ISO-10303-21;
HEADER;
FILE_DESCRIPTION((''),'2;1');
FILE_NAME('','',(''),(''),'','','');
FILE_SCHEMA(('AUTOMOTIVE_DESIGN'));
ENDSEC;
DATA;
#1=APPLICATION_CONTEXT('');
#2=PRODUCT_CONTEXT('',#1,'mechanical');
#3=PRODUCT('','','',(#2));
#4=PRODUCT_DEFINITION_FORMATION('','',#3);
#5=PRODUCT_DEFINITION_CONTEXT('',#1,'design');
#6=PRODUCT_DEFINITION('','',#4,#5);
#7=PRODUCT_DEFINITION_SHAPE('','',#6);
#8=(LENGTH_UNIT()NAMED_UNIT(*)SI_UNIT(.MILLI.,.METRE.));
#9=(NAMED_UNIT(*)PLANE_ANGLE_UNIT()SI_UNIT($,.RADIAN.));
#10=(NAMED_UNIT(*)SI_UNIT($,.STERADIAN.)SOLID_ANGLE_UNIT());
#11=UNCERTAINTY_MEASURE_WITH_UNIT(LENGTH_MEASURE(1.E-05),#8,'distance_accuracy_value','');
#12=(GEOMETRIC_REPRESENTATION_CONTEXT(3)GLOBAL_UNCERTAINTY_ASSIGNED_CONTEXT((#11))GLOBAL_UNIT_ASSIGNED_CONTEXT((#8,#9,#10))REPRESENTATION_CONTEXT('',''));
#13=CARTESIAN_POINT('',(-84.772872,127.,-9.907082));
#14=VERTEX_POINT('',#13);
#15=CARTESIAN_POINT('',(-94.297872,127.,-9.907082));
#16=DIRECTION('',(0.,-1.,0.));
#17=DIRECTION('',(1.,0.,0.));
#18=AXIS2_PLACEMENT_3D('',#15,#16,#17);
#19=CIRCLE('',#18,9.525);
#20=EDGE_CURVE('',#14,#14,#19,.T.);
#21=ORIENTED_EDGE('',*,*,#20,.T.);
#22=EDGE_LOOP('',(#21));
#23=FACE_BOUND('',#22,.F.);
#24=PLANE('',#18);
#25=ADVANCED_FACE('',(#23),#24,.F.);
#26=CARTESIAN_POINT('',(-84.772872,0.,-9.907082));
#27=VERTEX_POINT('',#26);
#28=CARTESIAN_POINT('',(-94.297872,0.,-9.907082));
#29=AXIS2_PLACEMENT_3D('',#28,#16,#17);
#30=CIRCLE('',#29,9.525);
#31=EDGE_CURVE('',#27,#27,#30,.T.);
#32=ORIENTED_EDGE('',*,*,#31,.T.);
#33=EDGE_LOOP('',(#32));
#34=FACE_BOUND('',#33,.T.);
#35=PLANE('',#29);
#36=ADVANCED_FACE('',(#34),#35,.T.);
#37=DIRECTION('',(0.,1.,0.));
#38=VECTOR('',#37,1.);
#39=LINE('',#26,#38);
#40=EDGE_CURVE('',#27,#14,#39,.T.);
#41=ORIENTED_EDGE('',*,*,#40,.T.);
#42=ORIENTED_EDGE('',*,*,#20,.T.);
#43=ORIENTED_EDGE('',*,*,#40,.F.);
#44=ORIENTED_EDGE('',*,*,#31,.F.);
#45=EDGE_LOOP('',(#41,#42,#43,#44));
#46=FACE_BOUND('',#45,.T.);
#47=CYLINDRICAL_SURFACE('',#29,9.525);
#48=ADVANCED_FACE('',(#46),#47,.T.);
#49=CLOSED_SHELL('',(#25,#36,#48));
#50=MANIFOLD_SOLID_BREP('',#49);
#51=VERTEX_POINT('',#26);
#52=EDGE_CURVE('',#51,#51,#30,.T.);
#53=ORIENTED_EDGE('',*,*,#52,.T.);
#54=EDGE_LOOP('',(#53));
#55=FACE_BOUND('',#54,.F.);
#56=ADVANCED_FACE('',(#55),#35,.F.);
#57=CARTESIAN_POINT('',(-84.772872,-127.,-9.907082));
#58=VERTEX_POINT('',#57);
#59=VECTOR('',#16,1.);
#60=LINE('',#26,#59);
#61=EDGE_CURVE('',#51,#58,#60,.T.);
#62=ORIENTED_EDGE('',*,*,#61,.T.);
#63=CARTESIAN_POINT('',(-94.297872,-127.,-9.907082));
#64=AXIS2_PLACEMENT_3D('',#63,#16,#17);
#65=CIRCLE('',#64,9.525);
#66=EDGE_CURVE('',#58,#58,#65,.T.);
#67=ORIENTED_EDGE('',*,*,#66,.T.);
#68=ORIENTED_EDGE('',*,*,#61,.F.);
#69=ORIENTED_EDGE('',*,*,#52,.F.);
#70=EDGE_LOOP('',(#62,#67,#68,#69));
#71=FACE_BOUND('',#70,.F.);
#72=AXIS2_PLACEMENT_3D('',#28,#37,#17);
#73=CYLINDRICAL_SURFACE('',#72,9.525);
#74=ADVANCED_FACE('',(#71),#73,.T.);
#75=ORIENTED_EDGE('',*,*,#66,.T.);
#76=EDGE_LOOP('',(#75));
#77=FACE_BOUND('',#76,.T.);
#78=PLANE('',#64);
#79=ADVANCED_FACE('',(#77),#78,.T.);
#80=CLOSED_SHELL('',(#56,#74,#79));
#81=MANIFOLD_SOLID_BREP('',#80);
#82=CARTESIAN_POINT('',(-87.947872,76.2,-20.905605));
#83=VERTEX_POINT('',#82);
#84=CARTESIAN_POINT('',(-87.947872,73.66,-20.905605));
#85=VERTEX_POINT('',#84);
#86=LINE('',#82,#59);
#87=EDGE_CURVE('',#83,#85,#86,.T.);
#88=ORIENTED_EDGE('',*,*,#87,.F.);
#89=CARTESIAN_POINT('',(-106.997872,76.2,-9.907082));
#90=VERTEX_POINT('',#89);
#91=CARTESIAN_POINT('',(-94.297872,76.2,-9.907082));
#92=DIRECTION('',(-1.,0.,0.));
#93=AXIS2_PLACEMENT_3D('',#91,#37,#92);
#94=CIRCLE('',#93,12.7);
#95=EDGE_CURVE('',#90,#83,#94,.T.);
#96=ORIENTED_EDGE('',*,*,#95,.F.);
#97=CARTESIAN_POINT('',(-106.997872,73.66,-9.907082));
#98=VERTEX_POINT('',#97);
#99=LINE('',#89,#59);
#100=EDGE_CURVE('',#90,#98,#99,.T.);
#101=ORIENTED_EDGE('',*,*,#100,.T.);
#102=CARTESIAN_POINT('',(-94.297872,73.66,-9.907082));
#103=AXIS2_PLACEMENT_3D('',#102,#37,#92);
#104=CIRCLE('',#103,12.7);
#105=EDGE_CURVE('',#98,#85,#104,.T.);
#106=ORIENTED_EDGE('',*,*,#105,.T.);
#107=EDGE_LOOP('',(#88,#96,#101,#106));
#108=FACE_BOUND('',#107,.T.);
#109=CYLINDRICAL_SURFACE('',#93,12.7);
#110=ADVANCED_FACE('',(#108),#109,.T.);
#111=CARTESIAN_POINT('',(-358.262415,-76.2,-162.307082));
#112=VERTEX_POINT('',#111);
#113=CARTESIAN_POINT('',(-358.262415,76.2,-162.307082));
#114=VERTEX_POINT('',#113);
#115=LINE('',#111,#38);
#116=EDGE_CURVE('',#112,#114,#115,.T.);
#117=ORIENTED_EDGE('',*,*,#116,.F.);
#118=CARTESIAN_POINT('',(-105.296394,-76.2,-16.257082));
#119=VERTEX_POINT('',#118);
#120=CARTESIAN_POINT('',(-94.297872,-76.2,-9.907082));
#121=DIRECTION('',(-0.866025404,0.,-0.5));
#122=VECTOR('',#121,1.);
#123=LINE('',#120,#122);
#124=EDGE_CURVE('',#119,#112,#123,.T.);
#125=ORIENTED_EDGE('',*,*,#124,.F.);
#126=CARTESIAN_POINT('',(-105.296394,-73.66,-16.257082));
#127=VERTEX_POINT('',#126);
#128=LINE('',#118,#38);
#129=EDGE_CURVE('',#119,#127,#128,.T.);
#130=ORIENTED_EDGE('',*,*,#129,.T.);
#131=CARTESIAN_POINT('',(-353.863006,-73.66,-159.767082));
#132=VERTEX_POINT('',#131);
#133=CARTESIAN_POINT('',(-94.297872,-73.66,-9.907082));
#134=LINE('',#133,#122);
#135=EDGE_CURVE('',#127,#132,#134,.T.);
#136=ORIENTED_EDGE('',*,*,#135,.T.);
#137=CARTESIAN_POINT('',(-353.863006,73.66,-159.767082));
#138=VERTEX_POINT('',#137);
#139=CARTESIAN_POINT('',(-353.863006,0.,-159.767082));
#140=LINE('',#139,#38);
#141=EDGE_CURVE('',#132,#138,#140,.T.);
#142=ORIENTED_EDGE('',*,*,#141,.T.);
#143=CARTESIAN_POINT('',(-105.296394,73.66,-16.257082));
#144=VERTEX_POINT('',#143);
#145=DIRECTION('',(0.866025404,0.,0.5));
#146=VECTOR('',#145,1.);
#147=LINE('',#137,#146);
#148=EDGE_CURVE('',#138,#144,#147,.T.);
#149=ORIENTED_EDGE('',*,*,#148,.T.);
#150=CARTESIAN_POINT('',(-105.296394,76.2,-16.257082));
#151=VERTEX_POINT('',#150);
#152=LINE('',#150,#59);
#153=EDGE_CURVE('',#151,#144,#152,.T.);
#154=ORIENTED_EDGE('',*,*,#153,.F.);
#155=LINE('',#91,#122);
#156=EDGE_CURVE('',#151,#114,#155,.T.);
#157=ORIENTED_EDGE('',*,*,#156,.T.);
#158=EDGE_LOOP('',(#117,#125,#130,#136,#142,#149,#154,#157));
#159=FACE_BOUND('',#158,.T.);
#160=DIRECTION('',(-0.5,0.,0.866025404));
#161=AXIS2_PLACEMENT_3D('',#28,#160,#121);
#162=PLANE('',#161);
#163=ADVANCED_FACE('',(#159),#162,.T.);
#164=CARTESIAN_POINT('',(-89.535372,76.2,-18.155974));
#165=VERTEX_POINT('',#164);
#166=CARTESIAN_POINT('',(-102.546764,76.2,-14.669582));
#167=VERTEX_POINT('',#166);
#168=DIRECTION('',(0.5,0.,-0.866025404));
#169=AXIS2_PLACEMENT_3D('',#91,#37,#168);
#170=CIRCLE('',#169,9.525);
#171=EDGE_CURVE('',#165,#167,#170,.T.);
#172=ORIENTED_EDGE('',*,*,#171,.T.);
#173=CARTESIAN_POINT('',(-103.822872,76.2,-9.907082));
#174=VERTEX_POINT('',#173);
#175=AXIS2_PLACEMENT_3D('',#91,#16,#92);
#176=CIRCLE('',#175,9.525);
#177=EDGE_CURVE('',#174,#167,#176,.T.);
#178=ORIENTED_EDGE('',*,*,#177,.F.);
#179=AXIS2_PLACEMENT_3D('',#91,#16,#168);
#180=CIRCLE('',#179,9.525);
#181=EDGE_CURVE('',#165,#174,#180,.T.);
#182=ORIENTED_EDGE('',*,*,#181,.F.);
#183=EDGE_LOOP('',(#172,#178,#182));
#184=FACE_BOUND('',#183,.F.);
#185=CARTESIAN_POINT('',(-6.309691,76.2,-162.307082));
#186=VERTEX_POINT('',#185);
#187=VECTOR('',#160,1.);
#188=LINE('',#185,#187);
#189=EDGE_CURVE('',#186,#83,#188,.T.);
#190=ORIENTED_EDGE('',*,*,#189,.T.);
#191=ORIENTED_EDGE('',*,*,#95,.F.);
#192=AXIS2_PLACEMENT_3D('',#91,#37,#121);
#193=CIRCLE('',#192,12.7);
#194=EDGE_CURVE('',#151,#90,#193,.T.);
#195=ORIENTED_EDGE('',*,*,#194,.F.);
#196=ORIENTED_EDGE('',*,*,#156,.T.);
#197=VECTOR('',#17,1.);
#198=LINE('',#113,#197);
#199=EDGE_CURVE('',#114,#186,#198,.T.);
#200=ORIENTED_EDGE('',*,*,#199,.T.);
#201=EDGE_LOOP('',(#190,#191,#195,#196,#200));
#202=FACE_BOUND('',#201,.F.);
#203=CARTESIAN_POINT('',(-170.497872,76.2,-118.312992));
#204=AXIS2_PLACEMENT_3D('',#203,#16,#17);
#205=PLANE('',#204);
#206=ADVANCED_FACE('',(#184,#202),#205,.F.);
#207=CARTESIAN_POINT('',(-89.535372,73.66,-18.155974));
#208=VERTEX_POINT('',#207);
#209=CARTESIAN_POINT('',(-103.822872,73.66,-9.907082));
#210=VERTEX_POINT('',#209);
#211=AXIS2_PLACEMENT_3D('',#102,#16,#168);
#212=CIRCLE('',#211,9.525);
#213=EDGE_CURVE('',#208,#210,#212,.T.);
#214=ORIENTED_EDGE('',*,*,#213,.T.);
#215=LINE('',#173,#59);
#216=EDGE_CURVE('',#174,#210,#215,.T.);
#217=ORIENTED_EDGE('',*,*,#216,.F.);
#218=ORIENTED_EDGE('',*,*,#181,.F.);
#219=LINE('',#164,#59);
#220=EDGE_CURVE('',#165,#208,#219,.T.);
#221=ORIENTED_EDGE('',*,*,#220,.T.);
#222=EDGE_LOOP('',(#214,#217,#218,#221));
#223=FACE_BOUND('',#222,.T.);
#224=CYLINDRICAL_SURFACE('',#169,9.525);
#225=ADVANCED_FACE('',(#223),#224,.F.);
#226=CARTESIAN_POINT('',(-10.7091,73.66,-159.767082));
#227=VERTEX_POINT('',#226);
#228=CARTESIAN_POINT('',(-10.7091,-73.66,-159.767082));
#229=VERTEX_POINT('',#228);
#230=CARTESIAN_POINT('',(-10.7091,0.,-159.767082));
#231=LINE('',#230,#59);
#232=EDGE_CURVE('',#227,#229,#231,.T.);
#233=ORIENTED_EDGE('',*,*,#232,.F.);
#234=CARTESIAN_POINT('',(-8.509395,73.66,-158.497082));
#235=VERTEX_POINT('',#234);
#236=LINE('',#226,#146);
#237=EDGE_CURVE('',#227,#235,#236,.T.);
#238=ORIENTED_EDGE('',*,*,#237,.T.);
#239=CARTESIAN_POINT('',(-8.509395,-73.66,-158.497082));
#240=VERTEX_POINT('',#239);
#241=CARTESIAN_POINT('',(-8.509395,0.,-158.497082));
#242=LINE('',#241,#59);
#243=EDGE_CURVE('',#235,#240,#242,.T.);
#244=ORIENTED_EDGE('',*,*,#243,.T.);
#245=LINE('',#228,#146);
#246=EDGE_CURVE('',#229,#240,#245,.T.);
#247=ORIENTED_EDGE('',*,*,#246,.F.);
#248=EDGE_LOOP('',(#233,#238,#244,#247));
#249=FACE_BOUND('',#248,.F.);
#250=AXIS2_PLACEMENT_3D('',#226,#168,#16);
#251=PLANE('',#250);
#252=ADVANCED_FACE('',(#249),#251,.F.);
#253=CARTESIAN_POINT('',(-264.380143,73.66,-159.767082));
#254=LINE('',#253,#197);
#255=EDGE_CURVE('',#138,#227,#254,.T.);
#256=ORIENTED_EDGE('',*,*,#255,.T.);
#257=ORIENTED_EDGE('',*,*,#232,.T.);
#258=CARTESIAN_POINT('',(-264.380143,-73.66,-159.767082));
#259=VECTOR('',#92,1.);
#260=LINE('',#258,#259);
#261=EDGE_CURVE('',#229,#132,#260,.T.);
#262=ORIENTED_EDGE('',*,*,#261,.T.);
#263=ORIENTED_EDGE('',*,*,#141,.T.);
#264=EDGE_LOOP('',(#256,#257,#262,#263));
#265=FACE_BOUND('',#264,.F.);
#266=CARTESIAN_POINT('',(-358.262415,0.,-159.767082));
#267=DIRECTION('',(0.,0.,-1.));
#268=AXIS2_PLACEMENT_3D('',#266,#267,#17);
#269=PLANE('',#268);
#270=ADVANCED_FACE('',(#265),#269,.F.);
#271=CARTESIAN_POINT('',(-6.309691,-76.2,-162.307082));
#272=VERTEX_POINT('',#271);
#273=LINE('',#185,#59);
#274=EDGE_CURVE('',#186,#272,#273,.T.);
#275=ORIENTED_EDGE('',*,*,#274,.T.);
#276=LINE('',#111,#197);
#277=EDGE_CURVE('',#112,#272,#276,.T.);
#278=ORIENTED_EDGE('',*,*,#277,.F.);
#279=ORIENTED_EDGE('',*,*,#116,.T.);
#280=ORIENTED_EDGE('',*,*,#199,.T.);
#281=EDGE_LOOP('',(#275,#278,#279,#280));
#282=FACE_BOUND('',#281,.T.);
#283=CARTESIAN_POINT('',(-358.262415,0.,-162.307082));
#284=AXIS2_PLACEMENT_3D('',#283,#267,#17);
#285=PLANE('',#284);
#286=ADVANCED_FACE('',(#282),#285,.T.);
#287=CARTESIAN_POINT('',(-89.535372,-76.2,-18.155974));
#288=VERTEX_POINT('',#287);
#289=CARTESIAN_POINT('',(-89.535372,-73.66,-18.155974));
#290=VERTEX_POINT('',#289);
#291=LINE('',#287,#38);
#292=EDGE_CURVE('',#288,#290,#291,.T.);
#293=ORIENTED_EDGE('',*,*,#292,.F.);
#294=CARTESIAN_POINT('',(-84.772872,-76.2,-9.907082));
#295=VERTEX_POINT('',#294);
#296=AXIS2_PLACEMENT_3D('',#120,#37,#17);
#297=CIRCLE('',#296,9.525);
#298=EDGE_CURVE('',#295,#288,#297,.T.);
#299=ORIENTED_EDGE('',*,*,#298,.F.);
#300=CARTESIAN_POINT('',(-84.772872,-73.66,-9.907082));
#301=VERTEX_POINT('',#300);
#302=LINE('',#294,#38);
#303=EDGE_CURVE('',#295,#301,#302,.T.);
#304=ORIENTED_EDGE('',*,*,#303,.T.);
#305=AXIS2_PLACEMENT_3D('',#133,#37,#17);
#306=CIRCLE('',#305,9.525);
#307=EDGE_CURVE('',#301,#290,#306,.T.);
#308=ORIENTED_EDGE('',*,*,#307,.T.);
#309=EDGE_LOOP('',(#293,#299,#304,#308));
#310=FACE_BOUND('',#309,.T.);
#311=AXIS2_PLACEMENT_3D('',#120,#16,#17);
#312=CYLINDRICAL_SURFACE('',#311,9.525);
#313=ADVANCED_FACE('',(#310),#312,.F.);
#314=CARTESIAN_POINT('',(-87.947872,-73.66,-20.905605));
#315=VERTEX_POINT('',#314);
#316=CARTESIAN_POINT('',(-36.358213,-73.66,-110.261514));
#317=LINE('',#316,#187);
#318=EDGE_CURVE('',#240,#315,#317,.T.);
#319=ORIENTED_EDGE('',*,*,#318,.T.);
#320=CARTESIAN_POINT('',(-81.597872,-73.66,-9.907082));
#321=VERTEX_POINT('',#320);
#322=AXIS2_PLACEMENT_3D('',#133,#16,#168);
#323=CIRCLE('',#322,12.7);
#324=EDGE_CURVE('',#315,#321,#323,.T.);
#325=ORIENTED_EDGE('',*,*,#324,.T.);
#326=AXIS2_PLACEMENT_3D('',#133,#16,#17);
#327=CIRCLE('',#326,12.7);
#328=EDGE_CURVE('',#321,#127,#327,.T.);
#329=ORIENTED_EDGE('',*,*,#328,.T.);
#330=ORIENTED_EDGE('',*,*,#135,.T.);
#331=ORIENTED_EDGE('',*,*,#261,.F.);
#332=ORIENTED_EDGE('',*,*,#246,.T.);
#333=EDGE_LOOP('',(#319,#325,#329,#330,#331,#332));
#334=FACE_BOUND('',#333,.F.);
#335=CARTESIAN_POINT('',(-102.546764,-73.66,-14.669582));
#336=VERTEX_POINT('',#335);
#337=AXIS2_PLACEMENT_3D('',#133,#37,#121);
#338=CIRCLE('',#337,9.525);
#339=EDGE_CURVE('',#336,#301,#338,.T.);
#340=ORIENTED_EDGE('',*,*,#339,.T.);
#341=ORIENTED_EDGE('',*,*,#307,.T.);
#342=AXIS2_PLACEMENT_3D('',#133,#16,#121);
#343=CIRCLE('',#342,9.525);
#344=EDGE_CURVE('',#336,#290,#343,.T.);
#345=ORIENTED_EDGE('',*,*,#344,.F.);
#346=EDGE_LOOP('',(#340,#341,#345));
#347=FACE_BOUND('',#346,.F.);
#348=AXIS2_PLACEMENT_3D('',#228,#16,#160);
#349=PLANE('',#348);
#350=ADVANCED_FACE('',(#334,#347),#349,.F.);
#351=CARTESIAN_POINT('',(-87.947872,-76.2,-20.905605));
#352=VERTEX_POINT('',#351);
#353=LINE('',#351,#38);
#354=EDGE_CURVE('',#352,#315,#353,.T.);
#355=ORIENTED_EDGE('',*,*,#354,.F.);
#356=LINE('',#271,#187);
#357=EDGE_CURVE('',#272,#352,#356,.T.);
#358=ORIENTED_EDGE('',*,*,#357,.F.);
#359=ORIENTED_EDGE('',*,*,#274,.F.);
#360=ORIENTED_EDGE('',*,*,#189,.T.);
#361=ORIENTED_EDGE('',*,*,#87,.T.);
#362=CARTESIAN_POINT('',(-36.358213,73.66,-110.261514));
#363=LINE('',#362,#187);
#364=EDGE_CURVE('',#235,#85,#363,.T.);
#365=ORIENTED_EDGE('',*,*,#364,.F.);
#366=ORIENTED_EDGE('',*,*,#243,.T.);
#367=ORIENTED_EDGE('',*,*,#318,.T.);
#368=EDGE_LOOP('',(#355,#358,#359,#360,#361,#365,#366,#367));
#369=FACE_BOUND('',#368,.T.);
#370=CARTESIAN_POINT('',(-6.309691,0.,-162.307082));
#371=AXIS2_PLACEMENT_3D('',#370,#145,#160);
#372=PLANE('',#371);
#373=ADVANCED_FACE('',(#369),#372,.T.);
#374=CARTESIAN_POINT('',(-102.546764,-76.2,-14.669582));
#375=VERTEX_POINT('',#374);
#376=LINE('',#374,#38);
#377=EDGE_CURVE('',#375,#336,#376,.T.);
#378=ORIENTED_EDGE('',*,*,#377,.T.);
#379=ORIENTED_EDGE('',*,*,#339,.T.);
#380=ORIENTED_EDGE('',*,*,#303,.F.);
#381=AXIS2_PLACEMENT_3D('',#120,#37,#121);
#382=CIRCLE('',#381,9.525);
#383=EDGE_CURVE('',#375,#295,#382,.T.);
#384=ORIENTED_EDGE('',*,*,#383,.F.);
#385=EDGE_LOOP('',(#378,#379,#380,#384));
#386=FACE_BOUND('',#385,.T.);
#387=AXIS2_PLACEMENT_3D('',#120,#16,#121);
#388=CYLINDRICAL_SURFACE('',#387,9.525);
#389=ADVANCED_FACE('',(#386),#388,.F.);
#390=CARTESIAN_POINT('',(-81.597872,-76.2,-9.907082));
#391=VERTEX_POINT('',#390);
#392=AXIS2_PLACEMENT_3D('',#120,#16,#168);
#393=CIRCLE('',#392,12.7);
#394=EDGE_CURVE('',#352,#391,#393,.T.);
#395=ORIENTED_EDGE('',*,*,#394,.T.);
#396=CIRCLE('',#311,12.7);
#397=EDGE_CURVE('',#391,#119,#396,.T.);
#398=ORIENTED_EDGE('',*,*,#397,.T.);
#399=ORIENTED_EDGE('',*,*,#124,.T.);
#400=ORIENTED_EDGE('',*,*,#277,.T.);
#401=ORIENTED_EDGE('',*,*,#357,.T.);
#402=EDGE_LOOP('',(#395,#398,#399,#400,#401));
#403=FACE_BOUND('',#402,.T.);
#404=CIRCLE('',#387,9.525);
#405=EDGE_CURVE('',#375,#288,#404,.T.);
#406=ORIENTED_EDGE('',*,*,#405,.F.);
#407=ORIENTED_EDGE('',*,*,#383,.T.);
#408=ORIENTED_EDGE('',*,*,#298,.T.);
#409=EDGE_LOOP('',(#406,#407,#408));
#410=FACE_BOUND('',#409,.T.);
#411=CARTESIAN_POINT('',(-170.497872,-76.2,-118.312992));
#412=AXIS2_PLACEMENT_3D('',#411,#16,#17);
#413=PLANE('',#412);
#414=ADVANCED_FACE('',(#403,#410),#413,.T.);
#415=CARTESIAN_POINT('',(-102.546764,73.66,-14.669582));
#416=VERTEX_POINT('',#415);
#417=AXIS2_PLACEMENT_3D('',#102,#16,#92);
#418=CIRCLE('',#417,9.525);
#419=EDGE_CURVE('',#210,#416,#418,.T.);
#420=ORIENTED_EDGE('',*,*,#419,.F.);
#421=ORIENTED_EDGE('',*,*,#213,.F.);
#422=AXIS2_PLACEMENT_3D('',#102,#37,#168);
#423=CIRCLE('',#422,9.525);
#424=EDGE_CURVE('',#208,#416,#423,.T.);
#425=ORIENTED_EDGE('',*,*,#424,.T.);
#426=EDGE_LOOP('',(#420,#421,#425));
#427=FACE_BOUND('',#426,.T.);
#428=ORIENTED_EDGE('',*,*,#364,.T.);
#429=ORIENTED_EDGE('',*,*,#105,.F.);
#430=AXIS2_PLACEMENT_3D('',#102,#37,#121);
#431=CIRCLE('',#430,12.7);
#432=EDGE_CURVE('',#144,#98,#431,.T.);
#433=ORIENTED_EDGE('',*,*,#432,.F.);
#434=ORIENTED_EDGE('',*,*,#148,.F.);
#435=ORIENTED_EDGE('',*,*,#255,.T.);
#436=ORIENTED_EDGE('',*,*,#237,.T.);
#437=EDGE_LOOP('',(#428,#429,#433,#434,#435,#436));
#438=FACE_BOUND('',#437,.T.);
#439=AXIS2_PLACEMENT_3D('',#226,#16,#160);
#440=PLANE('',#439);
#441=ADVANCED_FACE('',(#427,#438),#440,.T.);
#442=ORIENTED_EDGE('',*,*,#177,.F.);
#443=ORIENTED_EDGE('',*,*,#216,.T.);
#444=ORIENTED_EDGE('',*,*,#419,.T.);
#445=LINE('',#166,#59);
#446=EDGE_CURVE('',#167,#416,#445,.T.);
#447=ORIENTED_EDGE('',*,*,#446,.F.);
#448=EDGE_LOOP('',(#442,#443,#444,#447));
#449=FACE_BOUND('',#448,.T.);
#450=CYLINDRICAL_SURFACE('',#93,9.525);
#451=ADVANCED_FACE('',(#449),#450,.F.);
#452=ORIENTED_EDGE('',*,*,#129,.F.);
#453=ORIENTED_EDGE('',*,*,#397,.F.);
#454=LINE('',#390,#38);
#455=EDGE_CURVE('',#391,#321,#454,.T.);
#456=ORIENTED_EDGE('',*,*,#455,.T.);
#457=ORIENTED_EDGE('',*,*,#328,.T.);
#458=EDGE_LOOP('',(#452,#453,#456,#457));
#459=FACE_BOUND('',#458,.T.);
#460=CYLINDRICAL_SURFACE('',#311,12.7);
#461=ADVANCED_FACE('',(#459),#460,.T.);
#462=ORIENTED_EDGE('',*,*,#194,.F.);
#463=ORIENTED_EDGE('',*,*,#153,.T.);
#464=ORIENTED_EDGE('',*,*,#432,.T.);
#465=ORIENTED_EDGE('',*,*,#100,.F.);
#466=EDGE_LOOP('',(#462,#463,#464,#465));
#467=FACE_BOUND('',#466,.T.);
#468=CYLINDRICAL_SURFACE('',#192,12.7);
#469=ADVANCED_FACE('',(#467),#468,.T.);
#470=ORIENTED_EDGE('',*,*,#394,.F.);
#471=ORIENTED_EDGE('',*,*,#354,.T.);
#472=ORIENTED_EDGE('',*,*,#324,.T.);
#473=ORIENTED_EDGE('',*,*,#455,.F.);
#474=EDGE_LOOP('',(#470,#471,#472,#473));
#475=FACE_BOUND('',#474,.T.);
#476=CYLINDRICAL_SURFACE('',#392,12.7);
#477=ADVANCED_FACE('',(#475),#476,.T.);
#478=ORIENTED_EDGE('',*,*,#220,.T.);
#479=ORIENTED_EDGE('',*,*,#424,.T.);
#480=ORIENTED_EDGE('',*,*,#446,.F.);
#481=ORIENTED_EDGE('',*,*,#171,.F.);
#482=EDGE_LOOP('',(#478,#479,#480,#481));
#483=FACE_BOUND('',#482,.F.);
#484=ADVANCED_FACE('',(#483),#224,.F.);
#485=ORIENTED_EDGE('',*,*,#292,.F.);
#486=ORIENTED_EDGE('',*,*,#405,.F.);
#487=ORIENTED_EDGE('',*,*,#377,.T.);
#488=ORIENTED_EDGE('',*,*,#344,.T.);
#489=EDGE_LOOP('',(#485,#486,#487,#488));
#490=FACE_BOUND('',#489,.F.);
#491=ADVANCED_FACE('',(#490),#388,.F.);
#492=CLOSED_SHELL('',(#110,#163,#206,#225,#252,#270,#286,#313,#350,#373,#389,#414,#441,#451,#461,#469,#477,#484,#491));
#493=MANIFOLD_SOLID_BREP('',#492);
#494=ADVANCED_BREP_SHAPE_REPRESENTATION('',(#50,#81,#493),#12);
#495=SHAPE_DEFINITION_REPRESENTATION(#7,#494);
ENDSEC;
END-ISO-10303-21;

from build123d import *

# Parameters (mm, degrees)
F1_DEPTH  = 76.2
F2_T      = -2.54
F3_DEPTH  = 2.54
F5_DEPTH  = 2.54
F6_DEPTH  = 2.54
F8_DEPTH  = 2.54
F9_DEPTH  = 2.54
F10_R     = 9.525
F11_DEPTH = 127
F12_DEPTH = 127


with BuildPart() as f1:
    # F0 (on Front) → F1 (new body, symmetric)
    with BuildSketch(Plane.XZ):
        Polygon((-358.2624146525, -162.3070820507), (-6.3096905545, -162.3070820507), (-94.297871579, -9.9070820507), align=None)
    extrude(amount=F1_DEPTH, both=True)

    # F2
    f2_openings = [f1.faces().sort_by_distance(p)[0] for p in [
        (-226.280143, 0, -86.107082),
    ]]
    offset(amount=F2_T, openings=f2_openings)

    # F3 (cut): a face of the model
    f3_faces = [f1.faces().sort_by_distance(p)[0] for p in [
        (-53.6033378552, 0, -85.4720820507),
    ]]
    extrude(f3_faces, amount=-F3_DEPTH, mode=Mode.SUBTRACT)

    # F4 (on face) → F5 (join)
    with BuildSketch(Plane.XZ.offset(76.2)):
        with BuildLine():
            ThreePointArc((-87.947871579, -20.9056046787), (-83.299348951, -16.2570820507), (-81.597871579, -9.9070820507))
            ThreePointArc((-81.597871579, -9.9070820507), (-97.5848734518, 2.3601759432), (-105.2963942071, -16.2570820507))
            Line((-105.2963942071, -16.2570820507), (-102.5467635501, -14.6695820507))
            ThreePointArc((-102.5467635501, -14.6695820507), (-96.7631229836, -0.7066385553), (-84.772871579, -9.9070820507))
            ThreePointArc((-84.772871579, -9.9070820507), (-86.048979608, -14.6695820507), (-89.535371579, -18.1559740217))
            Line((-89.535371579, -18.1559740217), (-87.947871579, -20.9056046787))
        make_face()
    extrude(amount=-F5_DEPTH)

    # F4 (on face) → F6 (cut)
    with BuildSketch(Plane.XZ.offset(76.2)):
        with BuildLine():
            Line((-94.297871579, -9.9070820507), (-102.5467635501, -14.6695820507))
            ThreePointArc((-102.5467635501, -14.6695820507), (-96.7631229836, -19.1075255461), (-89.535371579, -18.1559740217))
            Line((-89.535371579, -18.1559740217), (-94.297871579, -9.9070820507))
        make_face()
    extrude(amount=-F6_DEPTH, mode=Mode.SUBTRACT)

    # F7 (on face) → F8 (join)
    with BuildSketch(Plane(origin=(0, 76.2, 0), x_dir=(-1, 0, 0), z_dir=(0, 1, 0))):
        with BuildLine():
            ThreePointArc((105.2963942071, -16.2570820507), (106.5651295729, -13.1940839235), (106.997871579, -9.9070820507))
            ThreePointArc((106.997871579, -9.9070820507), (87.947871579, 1.0914405774), (87.947871579, -20.9056046787))
            Line((87.947871579, -20.9056046787), (89.535371579, -18.1559740217))
            ThreePointArc((89.535371579, -18.1559740217), (89.535371579, -1.6581900796), (103.822871579, -9.9070820507))
            ThreePointArc((103.822871579, -9.9070820507), (103.4983150745, -12.3723334553), (102.5467635501, -14.6695820507))
            Line((102.5467635501, -14.6695820507), (105.2963942071, -16.2570820507))
        make_face()
    extrude(amount=-F8_DEPTH)

    # F7 (on face) → F9 (cut)
    with BuildSketch(Plane(origin=(0, 76.2, 0), x_dir=(-1, 0, 0), z_dir=(0, 1, 0))):
        with BuildLine():
            Line((94.297871579, -9.9070820507), (89.535371579, -18.1559740217))
            ThreePointArc((89.535371579, -18.1559740217), (96.7631229836, -19.1075255461), (102.5467635501, -14.6695820507))
            Line((102.5467635501, -14.6695820507), (94.297871579, -9.9070820507))
        make_face()
    extrude(amount=-F9_DEPTH, mode=Mode.SUBTRACT)


with BuildPart() as f11:
    # F10 (on Front) → F11 (new body)
    with BuildSketch(Plane.XZ):
        with Locations((-94.297871579, -9.9070820507)):
            Circle(F10_R)
    extrude(amount=F11_DEPTH)


with BuildPart() as f12:
    # F12 (new): a face of the model
    f12_faces = [f11.part.faces().sort_by_distance(p)[0] for p in [
        (-94.297871579, 0, -9.9070820507),
    ]]
    extrude(f12_faces, amount=F12_DEPTH)


solid = Compound([f1.part, f11.part, f12.part])
